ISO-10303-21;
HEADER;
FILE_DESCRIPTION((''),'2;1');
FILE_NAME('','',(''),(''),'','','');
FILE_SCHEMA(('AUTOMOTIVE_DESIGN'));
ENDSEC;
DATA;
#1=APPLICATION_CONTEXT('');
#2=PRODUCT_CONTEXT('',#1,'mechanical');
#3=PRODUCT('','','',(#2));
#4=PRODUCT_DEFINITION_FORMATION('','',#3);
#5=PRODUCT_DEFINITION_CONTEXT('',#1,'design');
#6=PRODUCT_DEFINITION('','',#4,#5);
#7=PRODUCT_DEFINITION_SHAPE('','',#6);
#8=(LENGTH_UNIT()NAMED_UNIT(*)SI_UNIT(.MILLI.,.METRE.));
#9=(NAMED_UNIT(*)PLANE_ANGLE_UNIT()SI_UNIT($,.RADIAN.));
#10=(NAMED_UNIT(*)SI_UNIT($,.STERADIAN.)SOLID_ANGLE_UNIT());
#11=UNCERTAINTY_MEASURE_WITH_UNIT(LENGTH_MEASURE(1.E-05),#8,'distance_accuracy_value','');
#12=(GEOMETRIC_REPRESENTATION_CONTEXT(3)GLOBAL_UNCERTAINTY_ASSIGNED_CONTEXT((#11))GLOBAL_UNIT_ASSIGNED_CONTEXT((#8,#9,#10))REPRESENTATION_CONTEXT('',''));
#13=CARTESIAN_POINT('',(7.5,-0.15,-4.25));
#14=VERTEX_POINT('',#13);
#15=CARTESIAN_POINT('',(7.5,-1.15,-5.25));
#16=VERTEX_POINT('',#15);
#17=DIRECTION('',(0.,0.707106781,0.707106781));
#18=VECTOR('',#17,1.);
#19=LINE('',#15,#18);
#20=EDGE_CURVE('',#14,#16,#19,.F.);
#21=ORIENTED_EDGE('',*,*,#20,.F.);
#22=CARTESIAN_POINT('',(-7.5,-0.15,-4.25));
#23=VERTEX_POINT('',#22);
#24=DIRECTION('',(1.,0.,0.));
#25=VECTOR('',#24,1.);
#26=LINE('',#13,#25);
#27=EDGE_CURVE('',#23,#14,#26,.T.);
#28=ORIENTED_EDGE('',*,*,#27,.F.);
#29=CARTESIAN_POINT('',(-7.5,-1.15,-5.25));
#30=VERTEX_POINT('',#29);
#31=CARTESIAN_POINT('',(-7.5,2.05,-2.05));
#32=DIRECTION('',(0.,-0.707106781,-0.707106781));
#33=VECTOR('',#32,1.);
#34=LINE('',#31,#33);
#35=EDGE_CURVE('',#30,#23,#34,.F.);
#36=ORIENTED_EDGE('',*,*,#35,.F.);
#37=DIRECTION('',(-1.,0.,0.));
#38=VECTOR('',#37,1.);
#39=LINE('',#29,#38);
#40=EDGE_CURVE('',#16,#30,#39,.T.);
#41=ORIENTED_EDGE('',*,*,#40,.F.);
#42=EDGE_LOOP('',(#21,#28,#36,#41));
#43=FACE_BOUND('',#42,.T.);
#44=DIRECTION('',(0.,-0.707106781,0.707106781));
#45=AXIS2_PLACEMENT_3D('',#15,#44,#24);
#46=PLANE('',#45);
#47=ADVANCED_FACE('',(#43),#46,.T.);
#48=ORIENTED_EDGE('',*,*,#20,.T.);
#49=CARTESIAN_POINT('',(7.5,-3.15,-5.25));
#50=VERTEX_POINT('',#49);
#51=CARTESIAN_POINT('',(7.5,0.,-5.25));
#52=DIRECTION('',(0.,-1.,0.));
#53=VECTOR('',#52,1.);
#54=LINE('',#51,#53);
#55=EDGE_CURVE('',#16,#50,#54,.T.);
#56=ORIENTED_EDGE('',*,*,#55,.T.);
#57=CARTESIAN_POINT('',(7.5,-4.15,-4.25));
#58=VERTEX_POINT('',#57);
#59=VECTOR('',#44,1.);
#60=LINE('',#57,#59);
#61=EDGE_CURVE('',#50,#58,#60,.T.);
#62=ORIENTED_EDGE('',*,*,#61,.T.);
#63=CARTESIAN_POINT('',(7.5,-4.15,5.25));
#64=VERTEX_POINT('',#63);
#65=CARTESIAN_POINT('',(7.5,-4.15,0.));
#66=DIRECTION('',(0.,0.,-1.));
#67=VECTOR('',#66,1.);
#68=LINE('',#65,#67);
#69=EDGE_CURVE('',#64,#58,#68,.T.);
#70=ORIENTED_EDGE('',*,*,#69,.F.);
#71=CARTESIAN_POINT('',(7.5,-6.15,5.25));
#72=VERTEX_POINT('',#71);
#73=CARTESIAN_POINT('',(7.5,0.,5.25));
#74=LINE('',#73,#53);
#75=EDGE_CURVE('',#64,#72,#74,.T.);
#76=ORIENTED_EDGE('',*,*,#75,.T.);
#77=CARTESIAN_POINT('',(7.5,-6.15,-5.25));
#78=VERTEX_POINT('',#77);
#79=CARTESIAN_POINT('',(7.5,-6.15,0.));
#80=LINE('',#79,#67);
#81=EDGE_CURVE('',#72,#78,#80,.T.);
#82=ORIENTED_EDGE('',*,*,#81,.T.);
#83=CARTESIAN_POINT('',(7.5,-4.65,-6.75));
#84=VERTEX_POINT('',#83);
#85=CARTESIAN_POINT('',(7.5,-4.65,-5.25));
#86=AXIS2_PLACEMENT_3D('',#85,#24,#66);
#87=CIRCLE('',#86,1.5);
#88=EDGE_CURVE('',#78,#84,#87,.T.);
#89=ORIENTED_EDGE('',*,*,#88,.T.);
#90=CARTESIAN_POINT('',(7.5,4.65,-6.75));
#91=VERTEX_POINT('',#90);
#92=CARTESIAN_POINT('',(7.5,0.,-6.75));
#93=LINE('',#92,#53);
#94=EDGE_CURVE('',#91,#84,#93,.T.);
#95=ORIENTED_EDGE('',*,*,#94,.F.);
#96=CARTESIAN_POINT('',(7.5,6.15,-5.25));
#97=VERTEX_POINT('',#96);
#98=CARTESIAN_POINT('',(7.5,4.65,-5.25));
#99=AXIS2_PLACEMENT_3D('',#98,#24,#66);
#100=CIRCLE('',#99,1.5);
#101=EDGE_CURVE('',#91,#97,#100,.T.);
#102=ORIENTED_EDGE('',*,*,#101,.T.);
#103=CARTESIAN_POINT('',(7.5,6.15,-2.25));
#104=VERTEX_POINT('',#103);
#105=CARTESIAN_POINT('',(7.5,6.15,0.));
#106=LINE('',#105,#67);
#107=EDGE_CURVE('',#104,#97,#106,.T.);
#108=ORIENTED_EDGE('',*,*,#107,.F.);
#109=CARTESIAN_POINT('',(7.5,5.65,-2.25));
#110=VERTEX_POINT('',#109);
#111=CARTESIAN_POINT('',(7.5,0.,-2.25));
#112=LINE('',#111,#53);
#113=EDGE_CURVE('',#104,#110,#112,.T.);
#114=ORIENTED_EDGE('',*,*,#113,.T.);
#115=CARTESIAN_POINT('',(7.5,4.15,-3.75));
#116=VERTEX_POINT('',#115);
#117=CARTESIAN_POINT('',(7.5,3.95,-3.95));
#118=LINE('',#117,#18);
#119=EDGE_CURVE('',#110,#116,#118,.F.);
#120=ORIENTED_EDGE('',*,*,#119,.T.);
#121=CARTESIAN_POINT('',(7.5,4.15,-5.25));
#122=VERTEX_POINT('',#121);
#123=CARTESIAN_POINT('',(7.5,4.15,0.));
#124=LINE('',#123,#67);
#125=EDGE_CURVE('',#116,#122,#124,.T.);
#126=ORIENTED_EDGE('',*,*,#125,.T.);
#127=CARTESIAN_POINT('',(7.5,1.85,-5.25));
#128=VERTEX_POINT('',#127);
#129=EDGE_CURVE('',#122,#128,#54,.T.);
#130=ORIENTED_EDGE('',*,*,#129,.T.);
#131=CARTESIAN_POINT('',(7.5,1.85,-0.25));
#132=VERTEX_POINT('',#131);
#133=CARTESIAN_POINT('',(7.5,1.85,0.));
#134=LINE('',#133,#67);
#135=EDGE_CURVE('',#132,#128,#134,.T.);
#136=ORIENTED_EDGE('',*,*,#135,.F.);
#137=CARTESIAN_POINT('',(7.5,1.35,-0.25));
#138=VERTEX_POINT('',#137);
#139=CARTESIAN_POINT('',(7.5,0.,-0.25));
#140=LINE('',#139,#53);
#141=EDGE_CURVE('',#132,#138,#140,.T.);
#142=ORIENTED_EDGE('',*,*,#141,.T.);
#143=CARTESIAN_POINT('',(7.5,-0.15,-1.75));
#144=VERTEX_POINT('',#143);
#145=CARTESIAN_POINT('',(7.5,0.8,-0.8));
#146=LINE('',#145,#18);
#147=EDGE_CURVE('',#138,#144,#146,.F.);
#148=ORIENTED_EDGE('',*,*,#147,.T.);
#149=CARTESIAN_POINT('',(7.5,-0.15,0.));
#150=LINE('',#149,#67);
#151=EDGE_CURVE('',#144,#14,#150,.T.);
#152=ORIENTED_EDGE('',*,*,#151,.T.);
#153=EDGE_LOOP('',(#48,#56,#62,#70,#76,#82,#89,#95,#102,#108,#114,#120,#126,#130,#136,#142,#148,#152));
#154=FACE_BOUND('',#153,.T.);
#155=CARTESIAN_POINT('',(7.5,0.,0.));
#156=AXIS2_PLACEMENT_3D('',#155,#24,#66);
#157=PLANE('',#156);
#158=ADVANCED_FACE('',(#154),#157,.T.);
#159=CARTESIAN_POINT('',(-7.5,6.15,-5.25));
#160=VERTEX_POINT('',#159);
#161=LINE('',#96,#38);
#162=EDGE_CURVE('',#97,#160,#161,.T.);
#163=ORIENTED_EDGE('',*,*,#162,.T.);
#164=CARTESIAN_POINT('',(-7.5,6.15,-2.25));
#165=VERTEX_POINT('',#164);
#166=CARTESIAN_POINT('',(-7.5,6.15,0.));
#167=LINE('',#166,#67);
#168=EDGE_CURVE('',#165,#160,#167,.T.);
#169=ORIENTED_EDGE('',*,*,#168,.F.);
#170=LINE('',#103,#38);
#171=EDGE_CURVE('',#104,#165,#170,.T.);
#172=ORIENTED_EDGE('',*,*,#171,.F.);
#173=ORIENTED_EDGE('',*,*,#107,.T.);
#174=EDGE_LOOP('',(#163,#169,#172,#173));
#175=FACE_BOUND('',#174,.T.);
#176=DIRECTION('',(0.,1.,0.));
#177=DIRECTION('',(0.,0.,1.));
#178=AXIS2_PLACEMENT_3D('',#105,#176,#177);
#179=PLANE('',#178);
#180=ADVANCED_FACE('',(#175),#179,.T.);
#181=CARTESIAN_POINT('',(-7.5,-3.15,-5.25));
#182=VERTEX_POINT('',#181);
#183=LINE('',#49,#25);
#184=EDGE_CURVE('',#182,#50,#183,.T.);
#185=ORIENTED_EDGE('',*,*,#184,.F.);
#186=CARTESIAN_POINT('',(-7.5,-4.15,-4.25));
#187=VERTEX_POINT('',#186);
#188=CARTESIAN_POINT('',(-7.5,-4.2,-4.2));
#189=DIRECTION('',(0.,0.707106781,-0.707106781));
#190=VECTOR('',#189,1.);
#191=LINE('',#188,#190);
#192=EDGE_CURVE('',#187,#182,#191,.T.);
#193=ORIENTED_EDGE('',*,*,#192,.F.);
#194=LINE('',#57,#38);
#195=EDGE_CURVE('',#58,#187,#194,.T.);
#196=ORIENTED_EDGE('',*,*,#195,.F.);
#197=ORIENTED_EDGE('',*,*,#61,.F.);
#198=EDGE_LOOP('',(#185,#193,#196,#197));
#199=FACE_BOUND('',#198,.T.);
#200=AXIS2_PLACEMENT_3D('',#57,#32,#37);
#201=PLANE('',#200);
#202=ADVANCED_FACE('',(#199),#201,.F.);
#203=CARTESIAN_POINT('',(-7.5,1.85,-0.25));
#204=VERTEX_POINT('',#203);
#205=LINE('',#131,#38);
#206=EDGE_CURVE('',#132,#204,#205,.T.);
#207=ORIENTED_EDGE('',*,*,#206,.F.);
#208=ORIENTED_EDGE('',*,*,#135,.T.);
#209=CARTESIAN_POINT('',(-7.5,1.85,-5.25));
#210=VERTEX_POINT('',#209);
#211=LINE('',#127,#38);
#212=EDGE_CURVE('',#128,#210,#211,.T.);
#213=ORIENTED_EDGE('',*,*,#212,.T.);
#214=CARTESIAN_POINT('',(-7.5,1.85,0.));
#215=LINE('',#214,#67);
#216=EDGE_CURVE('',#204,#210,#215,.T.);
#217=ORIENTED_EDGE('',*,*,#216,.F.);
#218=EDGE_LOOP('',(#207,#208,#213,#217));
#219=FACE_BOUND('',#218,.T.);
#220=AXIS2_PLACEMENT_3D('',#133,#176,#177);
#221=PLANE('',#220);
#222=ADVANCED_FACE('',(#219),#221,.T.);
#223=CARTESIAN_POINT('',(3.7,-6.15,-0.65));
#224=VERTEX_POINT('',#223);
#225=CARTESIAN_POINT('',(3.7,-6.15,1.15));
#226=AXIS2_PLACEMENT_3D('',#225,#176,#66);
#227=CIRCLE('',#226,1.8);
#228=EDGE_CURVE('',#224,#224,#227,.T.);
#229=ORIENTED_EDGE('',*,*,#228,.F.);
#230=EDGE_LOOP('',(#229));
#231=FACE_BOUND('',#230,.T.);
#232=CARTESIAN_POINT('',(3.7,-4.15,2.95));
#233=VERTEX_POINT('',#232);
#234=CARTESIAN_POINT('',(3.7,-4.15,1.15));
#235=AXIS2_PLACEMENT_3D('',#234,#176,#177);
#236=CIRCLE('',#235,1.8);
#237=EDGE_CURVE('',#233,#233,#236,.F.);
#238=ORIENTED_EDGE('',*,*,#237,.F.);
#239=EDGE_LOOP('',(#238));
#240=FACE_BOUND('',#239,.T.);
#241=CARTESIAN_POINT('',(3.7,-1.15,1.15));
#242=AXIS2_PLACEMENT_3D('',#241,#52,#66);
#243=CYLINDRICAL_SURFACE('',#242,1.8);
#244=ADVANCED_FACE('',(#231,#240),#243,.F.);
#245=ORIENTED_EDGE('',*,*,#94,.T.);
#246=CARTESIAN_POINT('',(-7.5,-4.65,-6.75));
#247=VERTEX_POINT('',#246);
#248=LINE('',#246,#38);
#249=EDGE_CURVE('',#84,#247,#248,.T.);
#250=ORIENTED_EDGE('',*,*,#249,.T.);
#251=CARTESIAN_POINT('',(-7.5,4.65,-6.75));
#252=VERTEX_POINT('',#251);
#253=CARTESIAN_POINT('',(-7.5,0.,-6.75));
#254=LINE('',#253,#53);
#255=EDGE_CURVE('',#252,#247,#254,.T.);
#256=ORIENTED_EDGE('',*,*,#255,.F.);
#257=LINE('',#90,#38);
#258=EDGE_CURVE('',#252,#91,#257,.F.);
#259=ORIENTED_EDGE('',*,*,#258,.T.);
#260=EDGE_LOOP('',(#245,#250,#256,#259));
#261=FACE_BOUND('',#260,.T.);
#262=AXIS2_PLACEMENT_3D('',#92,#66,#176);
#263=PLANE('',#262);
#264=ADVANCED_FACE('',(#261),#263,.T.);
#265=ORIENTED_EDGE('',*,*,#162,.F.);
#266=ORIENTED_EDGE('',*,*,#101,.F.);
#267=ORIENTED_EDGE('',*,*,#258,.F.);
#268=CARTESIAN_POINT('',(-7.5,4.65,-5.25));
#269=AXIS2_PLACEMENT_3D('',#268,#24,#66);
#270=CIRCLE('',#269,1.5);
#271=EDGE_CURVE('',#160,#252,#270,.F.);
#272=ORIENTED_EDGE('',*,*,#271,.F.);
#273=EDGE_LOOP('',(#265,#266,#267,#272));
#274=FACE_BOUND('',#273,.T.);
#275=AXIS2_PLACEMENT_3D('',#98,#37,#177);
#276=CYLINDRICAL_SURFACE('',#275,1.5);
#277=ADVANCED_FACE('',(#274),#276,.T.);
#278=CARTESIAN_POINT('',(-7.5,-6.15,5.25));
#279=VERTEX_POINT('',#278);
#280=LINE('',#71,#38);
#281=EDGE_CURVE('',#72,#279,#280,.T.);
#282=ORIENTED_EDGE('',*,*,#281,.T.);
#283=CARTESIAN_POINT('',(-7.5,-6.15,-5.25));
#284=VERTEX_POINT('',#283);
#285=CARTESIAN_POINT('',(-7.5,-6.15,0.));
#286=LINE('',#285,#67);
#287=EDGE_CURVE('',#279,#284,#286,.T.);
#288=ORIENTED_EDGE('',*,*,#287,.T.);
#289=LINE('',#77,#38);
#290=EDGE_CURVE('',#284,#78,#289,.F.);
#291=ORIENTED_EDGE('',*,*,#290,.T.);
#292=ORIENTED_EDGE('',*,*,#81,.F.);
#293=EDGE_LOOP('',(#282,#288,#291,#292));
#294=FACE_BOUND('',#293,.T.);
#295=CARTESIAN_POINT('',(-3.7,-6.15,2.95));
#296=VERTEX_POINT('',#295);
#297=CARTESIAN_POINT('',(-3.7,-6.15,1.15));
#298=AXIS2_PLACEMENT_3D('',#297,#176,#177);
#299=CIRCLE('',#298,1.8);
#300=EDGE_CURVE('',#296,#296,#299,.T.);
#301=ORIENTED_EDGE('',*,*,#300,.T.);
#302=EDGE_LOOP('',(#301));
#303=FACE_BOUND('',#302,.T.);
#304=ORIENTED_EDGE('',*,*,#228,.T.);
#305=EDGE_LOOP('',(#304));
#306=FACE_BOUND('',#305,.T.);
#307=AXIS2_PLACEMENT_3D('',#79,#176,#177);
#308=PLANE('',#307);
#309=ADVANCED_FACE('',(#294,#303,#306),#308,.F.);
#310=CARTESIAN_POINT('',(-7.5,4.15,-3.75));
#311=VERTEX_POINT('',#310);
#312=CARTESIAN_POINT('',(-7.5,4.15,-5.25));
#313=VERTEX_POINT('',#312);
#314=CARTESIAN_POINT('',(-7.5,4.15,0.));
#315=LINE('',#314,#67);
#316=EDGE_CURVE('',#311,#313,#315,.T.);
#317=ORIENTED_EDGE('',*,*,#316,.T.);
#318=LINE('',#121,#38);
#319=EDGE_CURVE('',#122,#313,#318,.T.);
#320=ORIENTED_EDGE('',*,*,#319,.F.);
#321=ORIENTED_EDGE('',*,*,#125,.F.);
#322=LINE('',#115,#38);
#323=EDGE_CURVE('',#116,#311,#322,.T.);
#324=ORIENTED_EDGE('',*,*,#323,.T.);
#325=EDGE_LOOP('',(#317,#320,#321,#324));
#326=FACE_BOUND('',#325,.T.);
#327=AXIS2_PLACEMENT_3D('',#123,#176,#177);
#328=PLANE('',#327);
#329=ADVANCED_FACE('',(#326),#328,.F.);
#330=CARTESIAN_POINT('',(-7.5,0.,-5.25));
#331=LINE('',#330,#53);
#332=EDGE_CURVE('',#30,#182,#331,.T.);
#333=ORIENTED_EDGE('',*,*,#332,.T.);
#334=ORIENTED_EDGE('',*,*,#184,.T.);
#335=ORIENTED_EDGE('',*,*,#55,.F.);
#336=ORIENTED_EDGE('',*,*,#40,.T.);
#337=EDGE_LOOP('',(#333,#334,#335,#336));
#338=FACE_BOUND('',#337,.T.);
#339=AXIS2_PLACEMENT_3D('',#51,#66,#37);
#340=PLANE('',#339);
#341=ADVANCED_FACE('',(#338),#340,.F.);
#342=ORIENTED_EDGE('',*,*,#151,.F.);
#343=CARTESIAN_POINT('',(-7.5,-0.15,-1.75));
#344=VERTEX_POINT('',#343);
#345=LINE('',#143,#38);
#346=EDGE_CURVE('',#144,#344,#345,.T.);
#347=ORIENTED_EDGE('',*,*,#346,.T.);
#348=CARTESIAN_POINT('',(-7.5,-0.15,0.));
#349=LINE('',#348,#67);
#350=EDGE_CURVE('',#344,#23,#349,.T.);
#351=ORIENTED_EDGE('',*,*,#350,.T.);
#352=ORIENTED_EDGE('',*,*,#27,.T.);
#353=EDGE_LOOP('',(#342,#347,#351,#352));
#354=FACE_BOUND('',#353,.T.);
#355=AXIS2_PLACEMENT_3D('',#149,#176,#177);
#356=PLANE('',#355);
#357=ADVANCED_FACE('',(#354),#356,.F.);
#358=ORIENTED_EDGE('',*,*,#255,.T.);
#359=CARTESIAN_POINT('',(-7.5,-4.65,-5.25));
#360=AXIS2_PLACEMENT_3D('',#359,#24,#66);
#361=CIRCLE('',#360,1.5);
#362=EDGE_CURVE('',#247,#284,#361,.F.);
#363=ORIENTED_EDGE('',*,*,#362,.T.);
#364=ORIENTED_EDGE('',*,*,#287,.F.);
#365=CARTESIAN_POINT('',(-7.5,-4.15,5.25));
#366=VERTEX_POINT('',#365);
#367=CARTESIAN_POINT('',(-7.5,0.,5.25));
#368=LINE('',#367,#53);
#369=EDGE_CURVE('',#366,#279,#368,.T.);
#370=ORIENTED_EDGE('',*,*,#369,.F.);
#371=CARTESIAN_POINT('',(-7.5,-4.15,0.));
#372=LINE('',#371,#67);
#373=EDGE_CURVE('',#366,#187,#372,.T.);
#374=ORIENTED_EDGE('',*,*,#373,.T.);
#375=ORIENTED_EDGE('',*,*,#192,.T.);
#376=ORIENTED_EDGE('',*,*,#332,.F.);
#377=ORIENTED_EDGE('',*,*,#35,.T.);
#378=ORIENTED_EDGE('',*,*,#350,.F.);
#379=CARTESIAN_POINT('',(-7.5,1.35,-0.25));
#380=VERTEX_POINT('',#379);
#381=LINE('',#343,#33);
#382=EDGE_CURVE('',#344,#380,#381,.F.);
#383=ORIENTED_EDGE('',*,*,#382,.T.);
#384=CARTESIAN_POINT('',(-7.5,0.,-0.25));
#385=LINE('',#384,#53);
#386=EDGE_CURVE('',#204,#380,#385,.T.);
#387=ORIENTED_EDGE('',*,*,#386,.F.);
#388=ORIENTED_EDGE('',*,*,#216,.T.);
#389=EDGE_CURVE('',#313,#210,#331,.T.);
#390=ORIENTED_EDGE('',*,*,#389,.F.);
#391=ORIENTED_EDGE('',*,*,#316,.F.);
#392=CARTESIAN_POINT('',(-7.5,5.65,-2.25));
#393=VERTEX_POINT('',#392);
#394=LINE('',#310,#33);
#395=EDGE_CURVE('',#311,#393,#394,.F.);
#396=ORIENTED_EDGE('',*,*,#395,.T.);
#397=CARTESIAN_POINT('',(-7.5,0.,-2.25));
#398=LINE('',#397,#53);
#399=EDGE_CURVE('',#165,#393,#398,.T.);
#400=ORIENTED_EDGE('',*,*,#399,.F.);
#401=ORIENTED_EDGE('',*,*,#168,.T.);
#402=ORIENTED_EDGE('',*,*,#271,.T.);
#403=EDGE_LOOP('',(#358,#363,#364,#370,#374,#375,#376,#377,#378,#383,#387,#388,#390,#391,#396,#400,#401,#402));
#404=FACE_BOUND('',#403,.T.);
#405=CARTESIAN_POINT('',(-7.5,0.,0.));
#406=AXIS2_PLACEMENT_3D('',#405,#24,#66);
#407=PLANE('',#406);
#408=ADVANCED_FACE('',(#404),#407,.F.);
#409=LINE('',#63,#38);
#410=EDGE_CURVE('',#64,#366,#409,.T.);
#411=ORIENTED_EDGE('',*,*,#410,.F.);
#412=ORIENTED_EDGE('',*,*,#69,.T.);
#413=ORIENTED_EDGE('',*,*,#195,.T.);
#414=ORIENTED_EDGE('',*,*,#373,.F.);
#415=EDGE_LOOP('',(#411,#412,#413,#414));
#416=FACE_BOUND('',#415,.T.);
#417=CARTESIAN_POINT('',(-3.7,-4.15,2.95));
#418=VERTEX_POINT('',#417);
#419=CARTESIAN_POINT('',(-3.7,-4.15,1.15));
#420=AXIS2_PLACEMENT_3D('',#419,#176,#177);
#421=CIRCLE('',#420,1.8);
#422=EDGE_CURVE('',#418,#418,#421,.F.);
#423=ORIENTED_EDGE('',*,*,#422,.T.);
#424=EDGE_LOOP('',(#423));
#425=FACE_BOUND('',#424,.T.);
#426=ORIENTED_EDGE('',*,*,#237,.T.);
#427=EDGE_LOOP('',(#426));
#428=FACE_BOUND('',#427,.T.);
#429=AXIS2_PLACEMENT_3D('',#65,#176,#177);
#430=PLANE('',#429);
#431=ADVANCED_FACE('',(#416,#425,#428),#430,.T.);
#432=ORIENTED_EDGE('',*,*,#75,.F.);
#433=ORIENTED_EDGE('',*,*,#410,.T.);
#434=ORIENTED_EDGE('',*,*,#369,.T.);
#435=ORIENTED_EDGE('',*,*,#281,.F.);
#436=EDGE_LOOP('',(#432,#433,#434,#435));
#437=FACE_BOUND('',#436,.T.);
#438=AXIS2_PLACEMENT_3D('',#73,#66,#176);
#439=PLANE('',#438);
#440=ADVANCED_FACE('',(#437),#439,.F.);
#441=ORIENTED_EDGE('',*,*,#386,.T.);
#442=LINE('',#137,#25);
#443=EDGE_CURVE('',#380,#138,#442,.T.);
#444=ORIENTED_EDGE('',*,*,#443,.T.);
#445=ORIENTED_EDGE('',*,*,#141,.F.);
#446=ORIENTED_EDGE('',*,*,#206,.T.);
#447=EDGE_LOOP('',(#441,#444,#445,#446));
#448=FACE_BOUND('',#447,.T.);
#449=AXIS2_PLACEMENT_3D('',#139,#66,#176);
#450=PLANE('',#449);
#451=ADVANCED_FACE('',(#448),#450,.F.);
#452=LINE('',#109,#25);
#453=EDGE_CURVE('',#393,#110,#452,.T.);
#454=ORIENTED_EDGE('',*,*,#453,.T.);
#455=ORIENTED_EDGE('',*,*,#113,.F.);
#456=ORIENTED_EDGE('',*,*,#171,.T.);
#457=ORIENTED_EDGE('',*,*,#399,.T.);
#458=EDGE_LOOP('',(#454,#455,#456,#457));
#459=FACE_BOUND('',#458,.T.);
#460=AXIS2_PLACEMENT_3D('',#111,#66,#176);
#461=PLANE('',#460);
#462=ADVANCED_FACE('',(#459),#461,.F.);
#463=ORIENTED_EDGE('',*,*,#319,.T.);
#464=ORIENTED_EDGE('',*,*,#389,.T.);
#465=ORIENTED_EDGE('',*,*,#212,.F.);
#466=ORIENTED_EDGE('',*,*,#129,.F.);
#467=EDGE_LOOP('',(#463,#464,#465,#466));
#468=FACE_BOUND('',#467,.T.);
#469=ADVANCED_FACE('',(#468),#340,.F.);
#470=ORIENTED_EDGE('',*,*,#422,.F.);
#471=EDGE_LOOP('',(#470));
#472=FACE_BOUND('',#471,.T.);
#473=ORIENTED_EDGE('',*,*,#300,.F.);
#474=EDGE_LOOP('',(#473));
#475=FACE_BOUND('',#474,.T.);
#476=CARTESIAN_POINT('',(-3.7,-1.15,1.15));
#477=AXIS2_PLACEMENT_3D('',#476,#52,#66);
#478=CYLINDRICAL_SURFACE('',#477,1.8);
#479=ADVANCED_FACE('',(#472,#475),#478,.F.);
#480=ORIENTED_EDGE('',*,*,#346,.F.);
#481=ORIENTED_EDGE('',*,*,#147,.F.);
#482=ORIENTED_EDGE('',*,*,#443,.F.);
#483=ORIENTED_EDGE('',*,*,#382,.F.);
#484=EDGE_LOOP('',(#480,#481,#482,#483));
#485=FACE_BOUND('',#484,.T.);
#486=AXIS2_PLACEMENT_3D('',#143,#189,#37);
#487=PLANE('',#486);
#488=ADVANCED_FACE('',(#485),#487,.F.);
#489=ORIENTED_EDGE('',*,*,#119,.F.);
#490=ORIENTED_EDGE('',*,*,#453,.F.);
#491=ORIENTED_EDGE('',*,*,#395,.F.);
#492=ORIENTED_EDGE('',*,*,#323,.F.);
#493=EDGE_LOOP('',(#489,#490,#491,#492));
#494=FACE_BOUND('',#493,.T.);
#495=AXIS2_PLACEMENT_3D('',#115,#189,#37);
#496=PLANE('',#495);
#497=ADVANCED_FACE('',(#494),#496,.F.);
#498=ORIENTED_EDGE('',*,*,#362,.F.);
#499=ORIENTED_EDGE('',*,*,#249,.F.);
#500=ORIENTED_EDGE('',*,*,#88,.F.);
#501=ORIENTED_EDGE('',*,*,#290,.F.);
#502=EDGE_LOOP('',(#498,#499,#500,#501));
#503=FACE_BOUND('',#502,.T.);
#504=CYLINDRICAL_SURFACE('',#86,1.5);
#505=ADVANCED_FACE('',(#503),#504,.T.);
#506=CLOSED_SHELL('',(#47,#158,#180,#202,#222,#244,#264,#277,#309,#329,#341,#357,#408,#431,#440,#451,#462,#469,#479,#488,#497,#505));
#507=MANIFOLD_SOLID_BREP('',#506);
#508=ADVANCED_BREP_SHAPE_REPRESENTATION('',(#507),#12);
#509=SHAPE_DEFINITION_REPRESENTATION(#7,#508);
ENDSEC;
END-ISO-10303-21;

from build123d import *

# Parameters (mm, degrees)
BOSS_EXTRUDE1_DEPTH     = 7.5
CHAMFER1_SIZE           = 1
SKETCH2_R               = 1.8
CUT_EXTRUDE1_DEPTH      = 3
CUT_EXTRUDE1_DEPTH_BACK = 3
FILLET1_R               = 1.5
CHAMFER2_SIZE           = 1.5


with BuildPart() as part:
    # Sketch1 → Boss-Extrude1 (new body, symmetric)
    with BuildSketch(Plane(origin=(0, 0, 0), x_dir=(0, 0, -1), z_dir=(1, 0, 0))):
        Polygon((-5.25, -4.15), (-5.25, -6.15), (6.75, -6.15), (6.75, 6.15), (2.25, 6.15), (2.25, 4.15), (5.25, 4.15), (5.25, 1.85), (0.25, 1.85), (0.25, -0.15), (5.25, -0.15), (5.25, -4.15), align=None)
    extrude(amount=BOSS_EXTRUDE1_DEPTH, both=True)

    # Chamfer1
    chamfer1_edges = [part.edges().sort_by_distance(p)[0] for p in [
        (0, -4.15, -5.25),
        (0, -0.15, -5.25),
    ]]
    chamfer(chamfer1_edges, length=CHAMFER1_SIZE)

    # Sketch2 → Cut-Extrude1 (cut, two sides)
    with BuildSketch(Plane(origin=(0, -4.15, 0), x_dir=(1, 0, 0), z_dir=(0, 1, 0))) as cut_extrude1_sk:
        with Locations((-3.7, -1.15)):
            Circle(SKETCH2_R)
        with Locations((3.7, -1.15)):
            Circle(SKETCH2_R)
    extrude(amount=CUT_EXTRUDE1_DEPTH, mode=Mode.SUBTRACT)
    extrude(cut_extrude1_sk.sketch, amount=-CUT_EXTRUDE1_DEPTH_BACK, mode=Mode.SUBTRACT)

    # Fillet1
    fillet1_edges = [part.edges().sort_by_distance(p)[0] for p in [
        (0, 6.15, -6.75),
        (0, -6.15, -6.75),
    ]]
    fillet(fillet1_edges, radius=FILLET1_R)

    # Chamfer2
    chamfer2_edges = [part.edges().sort_by_distance(p)[0] for p in [
        (0, 4.15, -2.25),
        (0, -0.15, -0.25),
    ]]
    chamfer(chamfer2_edges, length=CHAMFER2_SIZE)


solid = part.part
